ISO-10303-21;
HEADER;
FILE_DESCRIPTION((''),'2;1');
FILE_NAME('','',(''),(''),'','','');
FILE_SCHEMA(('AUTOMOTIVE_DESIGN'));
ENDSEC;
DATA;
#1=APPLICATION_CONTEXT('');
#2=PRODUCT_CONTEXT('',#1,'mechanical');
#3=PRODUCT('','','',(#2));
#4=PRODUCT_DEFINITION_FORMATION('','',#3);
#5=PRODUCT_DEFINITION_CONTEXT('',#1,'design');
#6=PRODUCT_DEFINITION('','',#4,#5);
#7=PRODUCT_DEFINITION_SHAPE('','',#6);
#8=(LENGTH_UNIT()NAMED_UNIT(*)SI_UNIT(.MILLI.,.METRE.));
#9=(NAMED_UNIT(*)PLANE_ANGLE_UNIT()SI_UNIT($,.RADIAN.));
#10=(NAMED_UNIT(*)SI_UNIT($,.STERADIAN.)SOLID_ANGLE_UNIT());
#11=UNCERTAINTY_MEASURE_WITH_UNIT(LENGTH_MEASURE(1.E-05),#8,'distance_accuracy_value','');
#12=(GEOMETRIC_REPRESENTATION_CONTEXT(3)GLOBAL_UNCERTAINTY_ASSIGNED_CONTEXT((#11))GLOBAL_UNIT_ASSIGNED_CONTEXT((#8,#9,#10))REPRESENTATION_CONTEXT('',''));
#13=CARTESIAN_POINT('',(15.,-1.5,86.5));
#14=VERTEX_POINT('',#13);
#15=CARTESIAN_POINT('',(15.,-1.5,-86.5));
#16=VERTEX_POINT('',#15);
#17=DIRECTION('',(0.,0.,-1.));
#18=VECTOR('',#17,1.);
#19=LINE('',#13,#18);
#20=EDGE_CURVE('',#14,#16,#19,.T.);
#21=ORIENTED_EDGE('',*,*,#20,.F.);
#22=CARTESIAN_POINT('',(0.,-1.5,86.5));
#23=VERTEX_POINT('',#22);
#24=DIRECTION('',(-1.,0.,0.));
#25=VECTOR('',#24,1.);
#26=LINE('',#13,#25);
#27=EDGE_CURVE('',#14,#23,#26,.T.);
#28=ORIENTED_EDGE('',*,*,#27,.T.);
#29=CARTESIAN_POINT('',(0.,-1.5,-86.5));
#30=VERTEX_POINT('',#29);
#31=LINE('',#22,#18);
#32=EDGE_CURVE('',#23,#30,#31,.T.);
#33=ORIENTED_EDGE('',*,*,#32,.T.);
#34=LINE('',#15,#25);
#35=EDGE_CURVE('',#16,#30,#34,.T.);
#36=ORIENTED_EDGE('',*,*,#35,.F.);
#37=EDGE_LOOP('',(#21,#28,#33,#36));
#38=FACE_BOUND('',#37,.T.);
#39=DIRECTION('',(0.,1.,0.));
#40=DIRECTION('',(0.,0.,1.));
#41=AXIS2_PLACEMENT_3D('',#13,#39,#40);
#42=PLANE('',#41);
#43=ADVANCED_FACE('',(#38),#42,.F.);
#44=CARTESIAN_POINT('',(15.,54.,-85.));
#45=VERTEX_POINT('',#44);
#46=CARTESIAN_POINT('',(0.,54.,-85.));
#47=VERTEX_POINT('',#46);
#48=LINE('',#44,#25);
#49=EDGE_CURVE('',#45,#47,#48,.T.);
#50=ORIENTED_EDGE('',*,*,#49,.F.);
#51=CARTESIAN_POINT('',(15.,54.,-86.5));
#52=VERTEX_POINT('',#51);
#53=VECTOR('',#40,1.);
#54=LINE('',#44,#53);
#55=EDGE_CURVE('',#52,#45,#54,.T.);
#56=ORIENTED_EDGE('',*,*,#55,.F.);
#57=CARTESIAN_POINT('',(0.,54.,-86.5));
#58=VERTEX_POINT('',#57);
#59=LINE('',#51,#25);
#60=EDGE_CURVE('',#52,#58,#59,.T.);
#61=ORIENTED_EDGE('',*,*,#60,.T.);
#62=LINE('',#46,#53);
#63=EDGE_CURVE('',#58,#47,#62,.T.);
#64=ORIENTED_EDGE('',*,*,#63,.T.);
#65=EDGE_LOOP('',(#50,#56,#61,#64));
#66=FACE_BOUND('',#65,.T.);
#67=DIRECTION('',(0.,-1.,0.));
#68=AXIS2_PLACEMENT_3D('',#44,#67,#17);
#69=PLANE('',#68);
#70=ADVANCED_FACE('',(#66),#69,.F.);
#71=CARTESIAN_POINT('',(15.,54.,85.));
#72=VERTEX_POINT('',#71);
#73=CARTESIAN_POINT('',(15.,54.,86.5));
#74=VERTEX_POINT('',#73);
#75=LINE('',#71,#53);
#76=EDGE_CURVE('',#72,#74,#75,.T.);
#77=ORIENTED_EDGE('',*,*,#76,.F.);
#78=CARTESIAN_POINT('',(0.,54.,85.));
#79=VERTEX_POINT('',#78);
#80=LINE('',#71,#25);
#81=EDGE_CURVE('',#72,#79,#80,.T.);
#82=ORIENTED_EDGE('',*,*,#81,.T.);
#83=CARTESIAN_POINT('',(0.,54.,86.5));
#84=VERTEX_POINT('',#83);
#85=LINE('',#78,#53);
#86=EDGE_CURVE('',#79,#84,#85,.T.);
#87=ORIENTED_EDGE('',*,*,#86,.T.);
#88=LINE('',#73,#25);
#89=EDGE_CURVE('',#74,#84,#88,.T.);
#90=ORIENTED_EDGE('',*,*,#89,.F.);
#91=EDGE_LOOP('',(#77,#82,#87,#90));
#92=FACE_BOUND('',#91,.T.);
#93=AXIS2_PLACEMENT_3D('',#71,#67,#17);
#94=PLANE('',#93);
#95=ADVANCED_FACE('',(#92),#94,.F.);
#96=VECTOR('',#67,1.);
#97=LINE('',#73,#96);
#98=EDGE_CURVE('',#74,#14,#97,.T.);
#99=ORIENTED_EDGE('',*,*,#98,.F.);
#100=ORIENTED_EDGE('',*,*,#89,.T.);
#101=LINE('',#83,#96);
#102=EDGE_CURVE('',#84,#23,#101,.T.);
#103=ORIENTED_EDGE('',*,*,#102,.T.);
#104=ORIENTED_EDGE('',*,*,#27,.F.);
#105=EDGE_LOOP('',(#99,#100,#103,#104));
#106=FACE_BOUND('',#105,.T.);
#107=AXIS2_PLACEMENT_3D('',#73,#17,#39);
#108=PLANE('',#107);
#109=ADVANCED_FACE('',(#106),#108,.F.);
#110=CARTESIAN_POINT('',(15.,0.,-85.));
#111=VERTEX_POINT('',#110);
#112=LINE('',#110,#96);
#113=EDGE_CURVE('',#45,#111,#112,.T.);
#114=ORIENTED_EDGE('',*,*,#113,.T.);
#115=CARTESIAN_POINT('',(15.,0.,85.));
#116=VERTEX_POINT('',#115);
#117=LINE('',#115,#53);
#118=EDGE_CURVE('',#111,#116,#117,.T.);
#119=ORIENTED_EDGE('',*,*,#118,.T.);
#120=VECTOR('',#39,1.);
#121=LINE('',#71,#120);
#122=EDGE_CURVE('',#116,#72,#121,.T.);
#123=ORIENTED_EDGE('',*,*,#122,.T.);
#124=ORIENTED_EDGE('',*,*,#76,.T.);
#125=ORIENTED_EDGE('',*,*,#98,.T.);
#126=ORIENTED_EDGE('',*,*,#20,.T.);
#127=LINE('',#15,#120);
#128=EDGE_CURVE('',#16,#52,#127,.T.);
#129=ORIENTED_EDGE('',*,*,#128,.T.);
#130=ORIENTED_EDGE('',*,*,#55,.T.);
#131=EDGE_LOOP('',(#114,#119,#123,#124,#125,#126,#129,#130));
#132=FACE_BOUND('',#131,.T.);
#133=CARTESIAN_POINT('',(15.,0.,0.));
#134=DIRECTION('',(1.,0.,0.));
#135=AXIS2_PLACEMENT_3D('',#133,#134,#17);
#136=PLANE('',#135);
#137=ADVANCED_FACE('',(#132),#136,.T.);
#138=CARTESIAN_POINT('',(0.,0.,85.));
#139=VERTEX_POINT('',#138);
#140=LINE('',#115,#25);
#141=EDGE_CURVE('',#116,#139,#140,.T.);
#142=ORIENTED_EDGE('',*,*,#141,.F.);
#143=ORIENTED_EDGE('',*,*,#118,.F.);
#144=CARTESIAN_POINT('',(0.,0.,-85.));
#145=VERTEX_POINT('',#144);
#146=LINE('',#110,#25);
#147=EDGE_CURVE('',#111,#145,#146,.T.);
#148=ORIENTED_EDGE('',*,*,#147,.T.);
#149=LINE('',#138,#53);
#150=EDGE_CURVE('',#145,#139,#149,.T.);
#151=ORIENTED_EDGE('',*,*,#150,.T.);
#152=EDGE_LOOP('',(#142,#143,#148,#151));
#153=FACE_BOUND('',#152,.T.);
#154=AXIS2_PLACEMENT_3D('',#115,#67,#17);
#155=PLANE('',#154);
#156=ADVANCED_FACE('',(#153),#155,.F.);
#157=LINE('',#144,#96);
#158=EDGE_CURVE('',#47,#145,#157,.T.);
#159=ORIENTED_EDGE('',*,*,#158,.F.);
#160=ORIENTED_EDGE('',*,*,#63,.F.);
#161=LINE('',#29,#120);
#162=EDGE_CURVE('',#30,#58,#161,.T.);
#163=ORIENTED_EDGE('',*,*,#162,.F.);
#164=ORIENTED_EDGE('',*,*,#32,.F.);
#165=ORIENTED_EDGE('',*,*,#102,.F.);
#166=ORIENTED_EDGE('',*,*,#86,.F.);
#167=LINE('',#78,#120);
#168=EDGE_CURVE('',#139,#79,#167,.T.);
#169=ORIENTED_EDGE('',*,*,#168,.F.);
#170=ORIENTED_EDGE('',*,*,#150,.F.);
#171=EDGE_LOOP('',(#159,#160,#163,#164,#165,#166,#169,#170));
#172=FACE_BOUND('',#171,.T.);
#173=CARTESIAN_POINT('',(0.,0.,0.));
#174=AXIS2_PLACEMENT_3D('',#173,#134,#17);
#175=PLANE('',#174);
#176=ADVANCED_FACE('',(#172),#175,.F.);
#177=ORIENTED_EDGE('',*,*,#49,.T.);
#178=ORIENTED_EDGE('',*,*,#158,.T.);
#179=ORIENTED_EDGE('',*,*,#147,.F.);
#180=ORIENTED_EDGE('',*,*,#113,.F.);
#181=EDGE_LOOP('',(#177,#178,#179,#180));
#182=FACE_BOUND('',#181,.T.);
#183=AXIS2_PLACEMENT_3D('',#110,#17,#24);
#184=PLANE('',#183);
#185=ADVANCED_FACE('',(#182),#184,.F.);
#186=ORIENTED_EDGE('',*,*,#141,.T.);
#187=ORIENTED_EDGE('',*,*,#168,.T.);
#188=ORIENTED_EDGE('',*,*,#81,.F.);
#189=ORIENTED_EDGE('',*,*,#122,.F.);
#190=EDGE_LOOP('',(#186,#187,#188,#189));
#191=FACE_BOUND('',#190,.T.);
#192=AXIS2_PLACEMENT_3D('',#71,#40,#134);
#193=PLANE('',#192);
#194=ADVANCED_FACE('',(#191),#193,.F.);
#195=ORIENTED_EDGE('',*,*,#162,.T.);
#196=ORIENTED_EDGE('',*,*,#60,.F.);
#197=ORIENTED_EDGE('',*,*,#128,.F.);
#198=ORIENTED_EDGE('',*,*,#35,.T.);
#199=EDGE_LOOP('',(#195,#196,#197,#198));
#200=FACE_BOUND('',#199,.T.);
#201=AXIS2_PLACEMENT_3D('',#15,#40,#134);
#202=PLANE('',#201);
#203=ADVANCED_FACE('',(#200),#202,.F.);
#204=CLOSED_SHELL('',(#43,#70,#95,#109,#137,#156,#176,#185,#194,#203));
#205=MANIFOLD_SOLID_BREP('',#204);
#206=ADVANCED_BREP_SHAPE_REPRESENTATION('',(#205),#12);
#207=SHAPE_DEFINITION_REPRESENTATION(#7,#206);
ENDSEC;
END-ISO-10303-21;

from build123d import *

# Parameters (mm, degrees)
BOSS_EXTRUDE1_DEPTH = 15


with BuildPart() as part:
    # Sketch1 → Boss-Extrude1 (new body)
    with BuildSketch(Plane(origin=(0, 0, 0), x_dir=(0, 0, -1), z_dir=(1, 0, 0))):
        Polygon((-85, 54), (-85, 0), (85, 0), (85, 54), (86.5, 54), (86.5, -1.5), (-86.5, -1.5), (-86.5, 54), align=None)
    extrude(amount=BOSS_EXTRUDE1_DEPTH)


solid = part.part
